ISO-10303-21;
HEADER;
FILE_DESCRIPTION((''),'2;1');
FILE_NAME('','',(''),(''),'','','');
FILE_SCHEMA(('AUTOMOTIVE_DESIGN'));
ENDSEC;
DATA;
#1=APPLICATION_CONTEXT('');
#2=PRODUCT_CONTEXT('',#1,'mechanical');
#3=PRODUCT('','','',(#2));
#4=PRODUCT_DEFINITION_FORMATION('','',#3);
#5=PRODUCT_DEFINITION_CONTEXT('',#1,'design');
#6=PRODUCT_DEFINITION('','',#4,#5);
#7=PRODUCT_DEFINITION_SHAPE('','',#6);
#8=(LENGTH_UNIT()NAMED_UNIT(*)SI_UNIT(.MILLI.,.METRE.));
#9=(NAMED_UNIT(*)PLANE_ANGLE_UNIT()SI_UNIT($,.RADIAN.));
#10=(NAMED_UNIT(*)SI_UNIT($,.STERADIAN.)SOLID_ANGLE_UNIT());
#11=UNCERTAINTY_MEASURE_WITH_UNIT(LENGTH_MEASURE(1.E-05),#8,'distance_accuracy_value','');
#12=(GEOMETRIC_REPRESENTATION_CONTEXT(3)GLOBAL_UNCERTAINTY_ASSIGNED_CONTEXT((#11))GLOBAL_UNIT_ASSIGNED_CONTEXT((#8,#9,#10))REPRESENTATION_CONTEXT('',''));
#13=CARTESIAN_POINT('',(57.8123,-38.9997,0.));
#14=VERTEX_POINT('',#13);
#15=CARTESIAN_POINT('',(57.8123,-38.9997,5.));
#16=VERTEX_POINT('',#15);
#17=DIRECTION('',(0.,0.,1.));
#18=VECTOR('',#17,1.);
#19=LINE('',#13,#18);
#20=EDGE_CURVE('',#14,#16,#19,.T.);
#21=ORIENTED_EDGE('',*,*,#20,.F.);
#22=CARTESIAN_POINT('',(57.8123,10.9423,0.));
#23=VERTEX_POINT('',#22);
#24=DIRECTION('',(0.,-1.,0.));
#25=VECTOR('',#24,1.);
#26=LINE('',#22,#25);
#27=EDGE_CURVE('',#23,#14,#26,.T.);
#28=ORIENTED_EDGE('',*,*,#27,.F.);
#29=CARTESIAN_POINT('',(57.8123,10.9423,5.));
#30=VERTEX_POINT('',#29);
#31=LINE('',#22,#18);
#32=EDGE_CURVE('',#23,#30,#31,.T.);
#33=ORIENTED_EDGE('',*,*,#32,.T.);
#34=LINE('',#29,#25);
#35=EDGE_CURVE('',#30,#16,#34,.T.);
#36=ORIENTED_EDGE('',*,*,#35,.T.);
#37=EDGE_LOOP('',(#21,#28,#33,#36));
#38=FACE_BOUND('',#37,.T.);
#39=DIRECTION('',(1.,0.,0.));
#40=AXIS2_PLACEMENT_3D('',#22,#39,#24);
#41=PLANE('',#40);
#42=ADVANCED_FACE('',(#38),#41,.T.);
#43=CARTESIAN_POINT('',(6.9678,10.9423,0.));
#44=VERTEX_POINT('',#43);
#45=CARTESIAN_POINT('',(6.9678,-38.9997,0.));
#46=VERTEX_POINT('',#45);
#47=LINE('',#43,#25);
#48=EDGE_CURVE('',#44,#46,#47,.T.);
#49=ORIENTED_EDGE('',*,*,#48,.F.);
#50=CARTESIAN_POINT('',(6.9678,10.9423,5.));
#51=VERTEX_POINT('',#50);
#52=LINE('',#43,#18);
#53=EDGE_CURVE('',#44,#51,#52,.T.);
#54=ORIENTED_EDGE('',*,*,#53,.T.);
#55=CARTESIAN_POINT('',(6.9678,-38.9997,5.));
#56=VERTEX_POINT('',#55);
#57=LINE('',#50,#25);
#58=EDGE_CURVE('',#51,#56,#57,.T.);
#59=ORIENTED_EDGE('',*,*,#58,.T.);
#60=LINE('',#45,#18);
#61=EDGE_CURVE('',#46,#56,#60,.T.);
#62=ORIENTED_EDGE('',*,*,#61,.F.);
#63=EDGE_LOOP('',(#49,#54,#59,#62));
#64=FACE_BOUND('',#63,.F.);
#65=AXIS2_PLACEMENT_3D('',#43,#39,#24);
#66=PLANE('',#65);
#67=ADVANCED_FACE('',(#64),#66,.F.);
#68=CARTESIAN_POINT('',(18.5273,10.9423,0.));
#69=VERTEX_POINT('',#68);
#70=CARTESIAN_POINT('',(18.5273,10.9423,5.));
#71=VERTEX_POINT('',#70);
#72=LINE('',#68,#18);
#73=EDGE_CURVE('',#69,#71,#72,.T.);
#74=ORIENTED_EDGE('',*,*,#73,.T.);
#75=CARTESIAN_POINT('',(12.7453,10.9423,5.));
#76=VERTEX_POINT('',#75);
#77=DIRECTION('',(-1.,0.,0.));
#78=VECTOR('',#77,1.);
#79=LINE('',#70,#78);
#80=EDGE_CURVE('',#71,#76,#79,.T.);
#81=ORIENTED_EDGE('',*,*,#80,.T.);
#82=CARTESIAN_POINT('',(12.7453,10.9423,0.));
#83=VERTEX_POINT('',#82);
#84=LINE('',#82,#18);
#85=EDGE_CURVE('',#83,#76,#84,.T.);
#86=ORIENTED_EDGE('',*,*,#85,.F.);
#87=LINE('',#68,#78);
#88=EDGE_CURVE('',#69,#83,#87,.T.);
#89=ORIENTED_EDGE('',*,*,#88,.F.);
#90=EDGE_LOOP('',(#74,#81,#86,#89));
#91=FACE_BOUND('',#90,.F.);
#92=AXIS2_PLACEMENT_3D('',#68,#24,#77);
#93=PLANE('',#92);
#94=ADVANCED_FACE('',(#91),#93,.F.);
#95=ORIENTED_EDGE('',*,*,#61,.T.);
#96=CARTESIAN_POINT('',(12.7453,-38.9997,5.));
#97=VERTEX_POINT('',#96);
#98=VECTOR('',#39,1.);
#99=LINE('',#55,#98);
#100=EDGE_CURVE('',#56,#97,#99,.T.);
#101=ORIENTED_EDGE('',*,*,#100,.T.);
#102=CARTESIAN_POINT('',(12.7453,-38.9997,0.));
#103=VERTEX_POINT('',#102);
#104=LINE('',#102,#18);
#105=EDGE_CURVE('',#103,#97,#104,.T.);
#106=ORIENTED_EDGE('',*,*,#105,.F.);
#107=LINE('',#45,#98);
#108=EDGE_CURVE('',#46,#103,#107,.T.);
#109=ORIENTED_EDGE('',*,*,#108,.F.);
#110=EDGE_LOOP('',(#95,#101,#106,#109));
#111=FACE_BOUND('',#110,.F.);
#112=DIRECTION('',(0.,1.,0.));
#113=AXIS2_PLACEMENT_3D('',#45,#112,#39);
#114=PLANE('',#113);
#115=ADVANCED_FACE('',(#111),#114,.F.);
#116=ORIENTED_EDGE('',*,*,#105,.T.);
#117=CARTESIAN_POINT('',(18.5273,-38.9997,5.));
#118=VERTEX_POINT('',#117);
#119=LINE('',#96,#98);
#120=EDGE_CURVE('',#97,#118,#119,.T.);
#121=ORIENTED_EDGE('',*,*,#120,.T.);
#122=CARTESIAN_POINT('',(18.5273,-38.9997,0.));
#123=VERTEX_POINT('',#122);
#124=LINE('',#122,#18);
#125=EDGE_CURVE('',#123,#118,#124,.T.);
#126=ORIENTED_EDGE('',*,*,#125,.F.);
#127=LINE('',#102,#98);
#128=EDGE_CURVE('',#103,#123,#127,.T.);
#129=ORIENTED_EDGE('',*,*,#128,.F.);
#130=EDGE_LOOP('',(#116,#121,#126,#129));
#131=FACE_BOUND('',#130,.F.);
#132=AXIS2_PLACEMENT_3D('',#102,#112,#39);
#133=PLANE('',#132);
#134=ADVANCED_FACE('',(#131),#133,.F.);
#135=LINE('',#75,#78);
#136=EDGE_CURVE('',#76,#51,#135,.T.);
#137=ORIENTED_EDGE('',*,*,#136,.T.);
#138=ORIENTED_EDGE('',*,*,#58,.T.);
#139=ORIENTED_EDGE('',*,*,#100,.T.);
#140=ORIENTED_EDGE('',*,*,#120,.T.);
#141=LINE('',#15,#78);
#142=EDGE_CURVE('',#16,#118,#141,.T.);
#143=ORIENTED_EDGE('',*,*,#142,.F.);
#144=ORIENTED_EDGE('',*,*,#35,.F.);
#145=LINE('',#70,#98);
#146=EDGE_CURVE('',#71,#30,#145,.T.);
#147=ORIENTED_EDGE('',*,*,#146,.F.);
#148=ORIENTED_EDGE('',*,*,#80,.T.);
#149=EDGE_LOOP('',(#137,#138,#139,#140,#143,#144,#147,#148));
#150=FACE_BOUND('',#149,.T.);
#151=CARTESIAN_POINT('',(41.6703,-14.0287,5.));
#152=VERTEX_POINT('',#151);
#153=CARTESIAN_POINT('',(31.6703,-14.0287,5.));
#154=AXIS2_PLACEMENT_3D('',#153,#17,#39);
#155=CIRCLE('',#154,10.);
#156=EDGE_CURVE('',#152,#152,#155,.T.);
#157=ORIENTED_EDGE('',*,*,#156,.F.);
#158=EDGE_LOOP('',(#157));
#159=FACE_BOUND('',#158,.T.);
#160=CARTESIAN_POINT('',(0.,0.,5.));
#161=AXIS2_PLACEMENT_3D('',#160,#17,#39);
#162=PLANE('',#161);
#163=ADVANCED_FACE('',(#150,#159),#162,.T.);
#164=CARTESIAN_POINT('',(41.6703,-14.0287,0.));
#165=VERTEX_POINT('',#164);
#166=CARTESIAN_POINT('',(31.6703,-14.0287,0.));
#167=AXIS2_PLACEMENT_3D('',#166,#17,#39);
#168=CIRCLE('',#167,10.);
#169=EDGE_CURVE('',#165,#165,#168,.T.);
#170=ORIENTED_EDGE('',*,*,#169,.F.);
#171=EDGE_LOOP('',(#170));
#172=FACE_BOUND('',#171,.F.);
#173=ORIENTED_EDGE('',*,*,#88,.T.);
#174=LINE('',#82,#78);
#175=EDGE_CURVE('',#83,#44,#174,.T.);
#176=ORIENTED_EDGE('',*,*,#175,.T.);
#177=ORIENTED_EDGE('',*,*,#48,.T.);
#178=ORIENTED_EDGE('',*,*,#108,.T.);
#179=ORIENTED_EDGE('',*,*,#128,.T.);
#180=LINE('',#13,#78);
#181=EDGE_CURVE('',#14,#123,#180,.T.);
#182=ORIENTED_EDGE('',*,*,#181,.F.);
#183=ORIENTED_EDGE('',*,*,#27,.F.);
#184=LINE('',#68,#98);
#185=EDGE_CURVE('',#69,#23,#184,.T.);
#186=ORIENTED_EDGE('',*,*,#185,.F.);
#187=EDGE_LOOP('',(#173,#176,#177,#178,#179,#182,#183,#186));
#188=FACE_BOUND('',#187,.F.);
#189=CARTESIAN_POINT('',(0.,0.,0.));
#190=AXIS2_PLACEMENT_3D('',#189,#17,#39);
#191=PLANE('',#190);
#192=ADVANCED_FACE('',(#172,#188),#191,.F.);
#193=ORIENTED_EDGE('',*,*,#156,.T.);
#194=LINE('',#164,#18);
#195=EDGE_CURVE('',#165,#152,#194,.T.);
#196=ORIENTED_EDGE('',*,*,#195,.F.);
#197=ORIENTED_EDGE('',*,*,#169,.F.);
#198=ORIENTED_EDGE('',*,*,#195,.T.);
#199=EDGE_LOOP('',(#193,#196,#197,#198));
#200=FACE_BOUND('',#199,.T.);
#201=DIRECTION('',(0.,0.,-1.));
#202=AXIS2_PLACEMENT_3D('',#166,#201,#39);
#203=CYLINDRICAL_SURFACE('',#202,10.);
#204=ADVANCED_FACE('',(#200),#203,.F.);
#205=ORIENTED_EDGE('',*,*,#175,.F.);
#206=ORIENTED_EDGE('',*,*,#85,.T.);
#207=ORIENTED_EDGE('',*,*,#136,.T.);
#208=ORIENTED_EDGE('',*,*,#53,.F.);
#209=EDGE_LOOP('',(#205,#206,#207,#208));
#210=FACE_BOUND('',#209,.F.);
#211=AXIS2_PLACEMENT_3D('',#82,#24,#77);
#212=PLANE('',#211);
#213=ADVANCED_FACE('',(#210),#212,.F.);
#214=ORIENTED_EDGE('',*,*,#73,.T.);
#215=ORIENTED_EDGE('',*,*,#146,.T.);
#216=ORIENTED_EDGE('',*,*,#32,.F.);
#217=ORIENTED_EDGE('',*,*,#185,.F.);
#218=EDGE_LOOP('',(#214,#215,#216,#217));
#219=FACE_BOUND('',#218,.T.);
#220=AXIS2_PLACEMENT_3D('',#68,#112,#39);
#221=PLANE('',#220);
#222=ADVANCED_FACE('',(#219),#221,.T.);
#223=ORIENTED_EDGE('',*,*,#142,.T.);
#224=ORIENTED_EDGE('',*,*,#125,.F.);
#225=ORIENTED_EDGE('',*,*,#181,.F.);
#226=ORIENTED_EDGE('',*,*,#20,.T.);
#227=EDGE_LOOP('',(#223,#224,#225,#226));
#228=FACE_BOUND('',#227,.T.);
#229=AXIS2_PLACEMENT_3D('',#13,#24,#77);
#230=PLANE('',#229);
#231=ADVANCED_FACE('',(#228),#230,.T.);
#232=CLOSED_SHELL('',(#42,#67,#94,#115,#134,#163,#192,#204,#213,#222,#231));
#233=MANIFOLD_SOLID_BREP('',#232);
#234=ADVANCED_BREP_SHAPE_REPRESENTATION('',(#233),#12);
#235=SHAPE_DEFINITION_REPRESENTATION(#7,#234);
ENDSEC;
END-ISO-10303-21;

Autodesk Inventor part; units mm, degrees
ref_plane "YZ Plane" through (0, 0, 0) normal (1, 0, 0) x (0, 1, 0)
ref_plane "XZ Plane" through (0, 0, 0) normal (0, 1, 0) x (-1, 0, 0)
ref_plane "XY Plane" through (0, 0, 0) normal (0, 0, 1) x (1, 0, 0)
sketch "Sketch1" plane through (0, 0, 0) normal (0, 0, 1) x (1, 0, 0)
  line L0 (57.8123, 10.9423) -> (57.8123, -38.9997)
  line L1 (57.8123, -38.9997) -> (18.5273, -38.9997)
  circle A0 centre (31.6703, -14.0287) radius 10
  line L2 (18.5273, 10.9423) -> (57.8123, 10.9423)
  line L3 (18.5273, 10.9423) -> (12.7453, 10.9423)
  line L4 (12.7453, -38.9997) -> (18.5273, -38.9997)
  line L5 (12.7453, 10.9423) -> (6.9678, 10.9423)
  line L6 (6.9678, 10.9423) -> (6.9678, -38.9997)
  line L7 (6.9678, -38.9997) -> (12.7453, -38.9997)
  point P0 (0, 0)
extrude "Extrusion1" add sketch "Sketch1" along normal blind 5
properties part number "Top Connecter 1-"
